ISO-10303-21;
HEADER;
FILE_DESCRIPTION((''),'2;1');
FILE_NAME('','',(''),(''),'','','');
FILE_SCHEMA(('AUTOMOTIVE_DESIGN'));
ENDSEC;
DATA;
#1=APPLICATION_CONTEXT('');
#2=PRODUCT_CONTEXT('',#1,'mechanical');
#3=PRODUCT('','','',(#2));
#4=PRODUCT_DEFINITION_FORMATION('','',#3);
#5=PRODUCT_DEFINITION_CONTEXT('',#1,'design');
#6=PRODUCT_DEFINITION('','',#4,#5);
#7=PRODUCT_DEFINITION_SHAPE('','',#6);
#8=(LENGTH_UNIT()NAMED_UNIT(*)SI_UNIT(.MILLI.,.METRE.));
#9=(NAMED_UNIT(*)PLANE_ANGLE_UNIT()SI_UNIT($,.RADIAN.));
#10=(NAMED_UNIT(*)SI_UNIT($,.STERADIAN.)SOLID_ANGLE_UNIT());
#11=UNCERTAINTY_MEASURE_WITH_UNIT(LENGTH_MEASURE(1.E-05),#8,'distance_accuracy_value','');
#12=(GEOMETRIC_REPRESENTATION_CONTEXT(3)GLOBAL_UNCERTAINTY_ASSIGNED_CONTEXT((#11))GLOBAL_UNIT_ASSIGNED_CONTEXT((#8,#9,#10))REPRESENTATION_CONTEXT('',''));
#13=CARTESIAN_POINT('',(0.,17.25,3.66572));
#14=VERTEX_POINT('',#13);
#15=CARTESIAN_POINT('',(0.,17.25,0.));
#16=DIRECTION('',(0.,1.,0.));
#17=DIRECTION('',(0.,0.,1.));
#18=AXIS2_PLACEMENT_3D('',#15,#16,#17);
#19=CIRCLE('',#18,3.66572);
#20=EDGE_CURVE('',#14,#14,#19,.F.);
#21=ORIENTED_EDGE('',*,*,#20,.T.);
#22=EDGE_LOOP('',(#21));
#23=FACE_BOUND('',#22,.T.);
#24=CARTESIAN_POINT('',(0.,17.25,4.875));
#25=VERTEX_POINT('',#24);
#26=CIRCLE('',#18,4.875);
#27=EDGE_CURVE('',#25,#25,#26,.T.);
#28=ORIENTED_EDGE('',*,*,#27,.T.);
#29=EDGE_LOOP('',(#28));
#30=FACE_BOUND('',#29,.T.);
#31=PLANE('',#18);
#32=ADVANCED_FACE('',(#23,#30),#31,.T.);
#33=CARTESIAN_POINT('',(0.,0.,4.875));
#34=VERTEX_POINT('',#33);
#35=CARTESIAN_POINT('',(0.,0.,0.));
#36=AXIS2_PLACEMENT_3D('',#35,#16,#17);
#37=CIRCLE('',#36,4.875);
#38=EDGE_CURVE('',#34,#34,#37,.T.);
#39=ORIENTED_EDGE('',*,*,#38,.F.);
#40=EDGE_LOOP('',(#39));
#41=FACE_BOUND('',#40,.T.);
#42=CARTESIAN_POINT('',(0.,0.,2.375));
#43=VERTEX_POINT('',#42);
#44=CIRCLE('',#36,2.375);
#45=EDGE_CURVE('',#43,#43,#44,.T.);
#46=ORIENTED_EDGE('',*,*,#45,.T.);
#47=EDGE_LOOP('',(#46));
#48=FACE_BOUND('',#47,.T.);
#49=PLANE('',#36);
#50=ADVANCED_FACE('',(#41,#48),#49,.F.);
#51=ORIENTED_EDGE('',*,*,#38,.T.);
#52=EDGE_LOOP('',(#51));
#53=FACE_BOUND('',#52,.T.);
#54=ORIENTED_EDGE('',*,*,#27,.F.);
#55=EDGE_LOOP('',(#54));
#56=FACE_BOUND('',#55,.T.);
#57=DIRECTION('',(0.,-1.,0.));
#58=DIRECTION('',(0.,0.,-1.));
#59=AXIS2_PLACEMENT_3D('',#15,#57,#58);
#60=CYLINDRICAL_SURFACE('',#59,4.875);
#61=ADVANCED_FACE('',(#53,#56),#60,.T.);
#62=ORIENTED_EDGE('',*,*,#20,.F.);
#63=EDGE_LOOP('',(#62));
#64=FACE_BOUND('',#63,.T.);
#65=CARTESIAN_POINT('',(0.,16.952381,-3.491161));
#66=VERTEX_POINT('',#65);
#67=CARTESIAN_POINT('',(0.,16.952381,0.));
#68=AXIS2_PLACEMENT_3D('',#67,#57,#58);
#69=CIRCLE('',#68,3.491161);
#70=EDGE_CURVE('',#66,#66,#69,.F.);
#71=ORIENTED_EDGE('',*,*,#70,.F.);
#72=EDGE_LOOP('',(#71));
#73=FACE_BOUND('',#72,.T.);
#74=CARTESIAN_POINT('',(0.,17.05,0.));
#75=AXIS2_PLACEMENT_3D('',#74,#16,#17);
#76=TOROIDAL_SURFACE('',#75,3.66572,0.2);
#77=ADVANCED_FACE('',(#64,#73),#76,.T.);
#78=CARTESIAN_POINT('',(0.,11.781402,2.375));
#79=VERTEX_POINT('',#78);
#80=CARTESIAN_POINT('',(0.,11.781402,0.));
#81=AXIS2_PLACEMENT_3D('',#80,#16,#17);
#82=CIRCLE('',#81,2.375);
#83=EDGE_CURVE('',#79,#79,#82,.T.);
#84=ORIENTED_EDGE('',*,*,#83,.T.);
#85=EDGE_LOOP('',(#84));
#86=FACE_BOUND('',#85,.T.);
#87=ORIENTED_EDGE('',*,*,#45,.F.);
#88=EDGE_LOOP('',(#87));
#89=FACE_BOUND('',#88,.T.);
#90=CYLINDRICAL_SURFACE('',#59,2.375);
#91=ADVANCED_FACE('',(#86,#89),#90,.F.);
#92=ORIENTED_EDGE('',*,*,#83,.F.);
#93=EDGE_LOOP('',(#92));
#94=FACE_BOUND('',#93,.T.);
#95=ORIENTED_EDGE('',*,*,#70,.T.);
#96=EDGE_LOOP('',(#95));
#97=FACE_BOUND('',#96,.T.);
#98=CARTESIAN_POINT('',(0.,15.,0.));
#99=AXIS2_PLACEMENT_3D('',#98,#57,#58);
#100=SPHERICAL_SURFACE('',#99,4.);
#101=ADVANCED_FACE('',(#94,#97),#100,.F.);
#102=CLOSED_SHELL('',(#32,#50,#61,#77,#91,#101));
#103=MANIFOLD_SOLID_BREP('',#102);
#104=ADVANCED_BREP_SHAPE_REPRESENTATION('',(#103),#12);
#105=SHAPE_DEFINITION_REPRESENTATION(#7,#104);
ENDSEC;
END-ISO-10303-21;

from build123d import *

# Parameters (mm, degrees)
SKETCH1_R           = 4.875
SKETCH1_R_2         = 2.375
BOSS_EXTRUDE1_DEPTH = 17.25
FILLET1_R           = 0.2


with BuildPart() as part:
    # Sketch1 → Boss-Extrude1 (new body)
    with BuildSketch(Plane(origin=(0, 0, 0), x_dir=(1, 0, 0), z_dir=(0, 1, 0))):
        with Locations(Location((0, 0, 0), (0, 0, 270))):
            Circle(SKETCH1_R)
        with Locations(Location((0, 0, 0), (0, 0, 270))):
            Circle(SKETCH1_R_2, mode=Mode.SUBTRACT)
    extrude(amount=BOSS_EXTRUDE1_DEPTH)

    # Sketch3 → Cut-Revolve3 (revolve, cut)
    with BuildSketch(Plane(origin=(0, 15, 0), x_dir=(-1, 0, 0), z_dir=(0, -1, 0))):
        with BuildLine():
            Line((0, 4), (0, -4))
            ThreePointArc((0, -4), (4, 0), (0, 4))
        make_face()
    revolve(axis=Axis((0, 15, -5.147727802), (0, 0, 1)), mode=Mode.SUBTRACT)

    # Fillet1
    fillet1_edges = [part.edges().sort_by_distance(p)[0] for p in [
        (0, 17.25, -3.307189139),
    ]]
    fillet(fillet1_edges, radius=FILLET1_R)


solid = part.part
